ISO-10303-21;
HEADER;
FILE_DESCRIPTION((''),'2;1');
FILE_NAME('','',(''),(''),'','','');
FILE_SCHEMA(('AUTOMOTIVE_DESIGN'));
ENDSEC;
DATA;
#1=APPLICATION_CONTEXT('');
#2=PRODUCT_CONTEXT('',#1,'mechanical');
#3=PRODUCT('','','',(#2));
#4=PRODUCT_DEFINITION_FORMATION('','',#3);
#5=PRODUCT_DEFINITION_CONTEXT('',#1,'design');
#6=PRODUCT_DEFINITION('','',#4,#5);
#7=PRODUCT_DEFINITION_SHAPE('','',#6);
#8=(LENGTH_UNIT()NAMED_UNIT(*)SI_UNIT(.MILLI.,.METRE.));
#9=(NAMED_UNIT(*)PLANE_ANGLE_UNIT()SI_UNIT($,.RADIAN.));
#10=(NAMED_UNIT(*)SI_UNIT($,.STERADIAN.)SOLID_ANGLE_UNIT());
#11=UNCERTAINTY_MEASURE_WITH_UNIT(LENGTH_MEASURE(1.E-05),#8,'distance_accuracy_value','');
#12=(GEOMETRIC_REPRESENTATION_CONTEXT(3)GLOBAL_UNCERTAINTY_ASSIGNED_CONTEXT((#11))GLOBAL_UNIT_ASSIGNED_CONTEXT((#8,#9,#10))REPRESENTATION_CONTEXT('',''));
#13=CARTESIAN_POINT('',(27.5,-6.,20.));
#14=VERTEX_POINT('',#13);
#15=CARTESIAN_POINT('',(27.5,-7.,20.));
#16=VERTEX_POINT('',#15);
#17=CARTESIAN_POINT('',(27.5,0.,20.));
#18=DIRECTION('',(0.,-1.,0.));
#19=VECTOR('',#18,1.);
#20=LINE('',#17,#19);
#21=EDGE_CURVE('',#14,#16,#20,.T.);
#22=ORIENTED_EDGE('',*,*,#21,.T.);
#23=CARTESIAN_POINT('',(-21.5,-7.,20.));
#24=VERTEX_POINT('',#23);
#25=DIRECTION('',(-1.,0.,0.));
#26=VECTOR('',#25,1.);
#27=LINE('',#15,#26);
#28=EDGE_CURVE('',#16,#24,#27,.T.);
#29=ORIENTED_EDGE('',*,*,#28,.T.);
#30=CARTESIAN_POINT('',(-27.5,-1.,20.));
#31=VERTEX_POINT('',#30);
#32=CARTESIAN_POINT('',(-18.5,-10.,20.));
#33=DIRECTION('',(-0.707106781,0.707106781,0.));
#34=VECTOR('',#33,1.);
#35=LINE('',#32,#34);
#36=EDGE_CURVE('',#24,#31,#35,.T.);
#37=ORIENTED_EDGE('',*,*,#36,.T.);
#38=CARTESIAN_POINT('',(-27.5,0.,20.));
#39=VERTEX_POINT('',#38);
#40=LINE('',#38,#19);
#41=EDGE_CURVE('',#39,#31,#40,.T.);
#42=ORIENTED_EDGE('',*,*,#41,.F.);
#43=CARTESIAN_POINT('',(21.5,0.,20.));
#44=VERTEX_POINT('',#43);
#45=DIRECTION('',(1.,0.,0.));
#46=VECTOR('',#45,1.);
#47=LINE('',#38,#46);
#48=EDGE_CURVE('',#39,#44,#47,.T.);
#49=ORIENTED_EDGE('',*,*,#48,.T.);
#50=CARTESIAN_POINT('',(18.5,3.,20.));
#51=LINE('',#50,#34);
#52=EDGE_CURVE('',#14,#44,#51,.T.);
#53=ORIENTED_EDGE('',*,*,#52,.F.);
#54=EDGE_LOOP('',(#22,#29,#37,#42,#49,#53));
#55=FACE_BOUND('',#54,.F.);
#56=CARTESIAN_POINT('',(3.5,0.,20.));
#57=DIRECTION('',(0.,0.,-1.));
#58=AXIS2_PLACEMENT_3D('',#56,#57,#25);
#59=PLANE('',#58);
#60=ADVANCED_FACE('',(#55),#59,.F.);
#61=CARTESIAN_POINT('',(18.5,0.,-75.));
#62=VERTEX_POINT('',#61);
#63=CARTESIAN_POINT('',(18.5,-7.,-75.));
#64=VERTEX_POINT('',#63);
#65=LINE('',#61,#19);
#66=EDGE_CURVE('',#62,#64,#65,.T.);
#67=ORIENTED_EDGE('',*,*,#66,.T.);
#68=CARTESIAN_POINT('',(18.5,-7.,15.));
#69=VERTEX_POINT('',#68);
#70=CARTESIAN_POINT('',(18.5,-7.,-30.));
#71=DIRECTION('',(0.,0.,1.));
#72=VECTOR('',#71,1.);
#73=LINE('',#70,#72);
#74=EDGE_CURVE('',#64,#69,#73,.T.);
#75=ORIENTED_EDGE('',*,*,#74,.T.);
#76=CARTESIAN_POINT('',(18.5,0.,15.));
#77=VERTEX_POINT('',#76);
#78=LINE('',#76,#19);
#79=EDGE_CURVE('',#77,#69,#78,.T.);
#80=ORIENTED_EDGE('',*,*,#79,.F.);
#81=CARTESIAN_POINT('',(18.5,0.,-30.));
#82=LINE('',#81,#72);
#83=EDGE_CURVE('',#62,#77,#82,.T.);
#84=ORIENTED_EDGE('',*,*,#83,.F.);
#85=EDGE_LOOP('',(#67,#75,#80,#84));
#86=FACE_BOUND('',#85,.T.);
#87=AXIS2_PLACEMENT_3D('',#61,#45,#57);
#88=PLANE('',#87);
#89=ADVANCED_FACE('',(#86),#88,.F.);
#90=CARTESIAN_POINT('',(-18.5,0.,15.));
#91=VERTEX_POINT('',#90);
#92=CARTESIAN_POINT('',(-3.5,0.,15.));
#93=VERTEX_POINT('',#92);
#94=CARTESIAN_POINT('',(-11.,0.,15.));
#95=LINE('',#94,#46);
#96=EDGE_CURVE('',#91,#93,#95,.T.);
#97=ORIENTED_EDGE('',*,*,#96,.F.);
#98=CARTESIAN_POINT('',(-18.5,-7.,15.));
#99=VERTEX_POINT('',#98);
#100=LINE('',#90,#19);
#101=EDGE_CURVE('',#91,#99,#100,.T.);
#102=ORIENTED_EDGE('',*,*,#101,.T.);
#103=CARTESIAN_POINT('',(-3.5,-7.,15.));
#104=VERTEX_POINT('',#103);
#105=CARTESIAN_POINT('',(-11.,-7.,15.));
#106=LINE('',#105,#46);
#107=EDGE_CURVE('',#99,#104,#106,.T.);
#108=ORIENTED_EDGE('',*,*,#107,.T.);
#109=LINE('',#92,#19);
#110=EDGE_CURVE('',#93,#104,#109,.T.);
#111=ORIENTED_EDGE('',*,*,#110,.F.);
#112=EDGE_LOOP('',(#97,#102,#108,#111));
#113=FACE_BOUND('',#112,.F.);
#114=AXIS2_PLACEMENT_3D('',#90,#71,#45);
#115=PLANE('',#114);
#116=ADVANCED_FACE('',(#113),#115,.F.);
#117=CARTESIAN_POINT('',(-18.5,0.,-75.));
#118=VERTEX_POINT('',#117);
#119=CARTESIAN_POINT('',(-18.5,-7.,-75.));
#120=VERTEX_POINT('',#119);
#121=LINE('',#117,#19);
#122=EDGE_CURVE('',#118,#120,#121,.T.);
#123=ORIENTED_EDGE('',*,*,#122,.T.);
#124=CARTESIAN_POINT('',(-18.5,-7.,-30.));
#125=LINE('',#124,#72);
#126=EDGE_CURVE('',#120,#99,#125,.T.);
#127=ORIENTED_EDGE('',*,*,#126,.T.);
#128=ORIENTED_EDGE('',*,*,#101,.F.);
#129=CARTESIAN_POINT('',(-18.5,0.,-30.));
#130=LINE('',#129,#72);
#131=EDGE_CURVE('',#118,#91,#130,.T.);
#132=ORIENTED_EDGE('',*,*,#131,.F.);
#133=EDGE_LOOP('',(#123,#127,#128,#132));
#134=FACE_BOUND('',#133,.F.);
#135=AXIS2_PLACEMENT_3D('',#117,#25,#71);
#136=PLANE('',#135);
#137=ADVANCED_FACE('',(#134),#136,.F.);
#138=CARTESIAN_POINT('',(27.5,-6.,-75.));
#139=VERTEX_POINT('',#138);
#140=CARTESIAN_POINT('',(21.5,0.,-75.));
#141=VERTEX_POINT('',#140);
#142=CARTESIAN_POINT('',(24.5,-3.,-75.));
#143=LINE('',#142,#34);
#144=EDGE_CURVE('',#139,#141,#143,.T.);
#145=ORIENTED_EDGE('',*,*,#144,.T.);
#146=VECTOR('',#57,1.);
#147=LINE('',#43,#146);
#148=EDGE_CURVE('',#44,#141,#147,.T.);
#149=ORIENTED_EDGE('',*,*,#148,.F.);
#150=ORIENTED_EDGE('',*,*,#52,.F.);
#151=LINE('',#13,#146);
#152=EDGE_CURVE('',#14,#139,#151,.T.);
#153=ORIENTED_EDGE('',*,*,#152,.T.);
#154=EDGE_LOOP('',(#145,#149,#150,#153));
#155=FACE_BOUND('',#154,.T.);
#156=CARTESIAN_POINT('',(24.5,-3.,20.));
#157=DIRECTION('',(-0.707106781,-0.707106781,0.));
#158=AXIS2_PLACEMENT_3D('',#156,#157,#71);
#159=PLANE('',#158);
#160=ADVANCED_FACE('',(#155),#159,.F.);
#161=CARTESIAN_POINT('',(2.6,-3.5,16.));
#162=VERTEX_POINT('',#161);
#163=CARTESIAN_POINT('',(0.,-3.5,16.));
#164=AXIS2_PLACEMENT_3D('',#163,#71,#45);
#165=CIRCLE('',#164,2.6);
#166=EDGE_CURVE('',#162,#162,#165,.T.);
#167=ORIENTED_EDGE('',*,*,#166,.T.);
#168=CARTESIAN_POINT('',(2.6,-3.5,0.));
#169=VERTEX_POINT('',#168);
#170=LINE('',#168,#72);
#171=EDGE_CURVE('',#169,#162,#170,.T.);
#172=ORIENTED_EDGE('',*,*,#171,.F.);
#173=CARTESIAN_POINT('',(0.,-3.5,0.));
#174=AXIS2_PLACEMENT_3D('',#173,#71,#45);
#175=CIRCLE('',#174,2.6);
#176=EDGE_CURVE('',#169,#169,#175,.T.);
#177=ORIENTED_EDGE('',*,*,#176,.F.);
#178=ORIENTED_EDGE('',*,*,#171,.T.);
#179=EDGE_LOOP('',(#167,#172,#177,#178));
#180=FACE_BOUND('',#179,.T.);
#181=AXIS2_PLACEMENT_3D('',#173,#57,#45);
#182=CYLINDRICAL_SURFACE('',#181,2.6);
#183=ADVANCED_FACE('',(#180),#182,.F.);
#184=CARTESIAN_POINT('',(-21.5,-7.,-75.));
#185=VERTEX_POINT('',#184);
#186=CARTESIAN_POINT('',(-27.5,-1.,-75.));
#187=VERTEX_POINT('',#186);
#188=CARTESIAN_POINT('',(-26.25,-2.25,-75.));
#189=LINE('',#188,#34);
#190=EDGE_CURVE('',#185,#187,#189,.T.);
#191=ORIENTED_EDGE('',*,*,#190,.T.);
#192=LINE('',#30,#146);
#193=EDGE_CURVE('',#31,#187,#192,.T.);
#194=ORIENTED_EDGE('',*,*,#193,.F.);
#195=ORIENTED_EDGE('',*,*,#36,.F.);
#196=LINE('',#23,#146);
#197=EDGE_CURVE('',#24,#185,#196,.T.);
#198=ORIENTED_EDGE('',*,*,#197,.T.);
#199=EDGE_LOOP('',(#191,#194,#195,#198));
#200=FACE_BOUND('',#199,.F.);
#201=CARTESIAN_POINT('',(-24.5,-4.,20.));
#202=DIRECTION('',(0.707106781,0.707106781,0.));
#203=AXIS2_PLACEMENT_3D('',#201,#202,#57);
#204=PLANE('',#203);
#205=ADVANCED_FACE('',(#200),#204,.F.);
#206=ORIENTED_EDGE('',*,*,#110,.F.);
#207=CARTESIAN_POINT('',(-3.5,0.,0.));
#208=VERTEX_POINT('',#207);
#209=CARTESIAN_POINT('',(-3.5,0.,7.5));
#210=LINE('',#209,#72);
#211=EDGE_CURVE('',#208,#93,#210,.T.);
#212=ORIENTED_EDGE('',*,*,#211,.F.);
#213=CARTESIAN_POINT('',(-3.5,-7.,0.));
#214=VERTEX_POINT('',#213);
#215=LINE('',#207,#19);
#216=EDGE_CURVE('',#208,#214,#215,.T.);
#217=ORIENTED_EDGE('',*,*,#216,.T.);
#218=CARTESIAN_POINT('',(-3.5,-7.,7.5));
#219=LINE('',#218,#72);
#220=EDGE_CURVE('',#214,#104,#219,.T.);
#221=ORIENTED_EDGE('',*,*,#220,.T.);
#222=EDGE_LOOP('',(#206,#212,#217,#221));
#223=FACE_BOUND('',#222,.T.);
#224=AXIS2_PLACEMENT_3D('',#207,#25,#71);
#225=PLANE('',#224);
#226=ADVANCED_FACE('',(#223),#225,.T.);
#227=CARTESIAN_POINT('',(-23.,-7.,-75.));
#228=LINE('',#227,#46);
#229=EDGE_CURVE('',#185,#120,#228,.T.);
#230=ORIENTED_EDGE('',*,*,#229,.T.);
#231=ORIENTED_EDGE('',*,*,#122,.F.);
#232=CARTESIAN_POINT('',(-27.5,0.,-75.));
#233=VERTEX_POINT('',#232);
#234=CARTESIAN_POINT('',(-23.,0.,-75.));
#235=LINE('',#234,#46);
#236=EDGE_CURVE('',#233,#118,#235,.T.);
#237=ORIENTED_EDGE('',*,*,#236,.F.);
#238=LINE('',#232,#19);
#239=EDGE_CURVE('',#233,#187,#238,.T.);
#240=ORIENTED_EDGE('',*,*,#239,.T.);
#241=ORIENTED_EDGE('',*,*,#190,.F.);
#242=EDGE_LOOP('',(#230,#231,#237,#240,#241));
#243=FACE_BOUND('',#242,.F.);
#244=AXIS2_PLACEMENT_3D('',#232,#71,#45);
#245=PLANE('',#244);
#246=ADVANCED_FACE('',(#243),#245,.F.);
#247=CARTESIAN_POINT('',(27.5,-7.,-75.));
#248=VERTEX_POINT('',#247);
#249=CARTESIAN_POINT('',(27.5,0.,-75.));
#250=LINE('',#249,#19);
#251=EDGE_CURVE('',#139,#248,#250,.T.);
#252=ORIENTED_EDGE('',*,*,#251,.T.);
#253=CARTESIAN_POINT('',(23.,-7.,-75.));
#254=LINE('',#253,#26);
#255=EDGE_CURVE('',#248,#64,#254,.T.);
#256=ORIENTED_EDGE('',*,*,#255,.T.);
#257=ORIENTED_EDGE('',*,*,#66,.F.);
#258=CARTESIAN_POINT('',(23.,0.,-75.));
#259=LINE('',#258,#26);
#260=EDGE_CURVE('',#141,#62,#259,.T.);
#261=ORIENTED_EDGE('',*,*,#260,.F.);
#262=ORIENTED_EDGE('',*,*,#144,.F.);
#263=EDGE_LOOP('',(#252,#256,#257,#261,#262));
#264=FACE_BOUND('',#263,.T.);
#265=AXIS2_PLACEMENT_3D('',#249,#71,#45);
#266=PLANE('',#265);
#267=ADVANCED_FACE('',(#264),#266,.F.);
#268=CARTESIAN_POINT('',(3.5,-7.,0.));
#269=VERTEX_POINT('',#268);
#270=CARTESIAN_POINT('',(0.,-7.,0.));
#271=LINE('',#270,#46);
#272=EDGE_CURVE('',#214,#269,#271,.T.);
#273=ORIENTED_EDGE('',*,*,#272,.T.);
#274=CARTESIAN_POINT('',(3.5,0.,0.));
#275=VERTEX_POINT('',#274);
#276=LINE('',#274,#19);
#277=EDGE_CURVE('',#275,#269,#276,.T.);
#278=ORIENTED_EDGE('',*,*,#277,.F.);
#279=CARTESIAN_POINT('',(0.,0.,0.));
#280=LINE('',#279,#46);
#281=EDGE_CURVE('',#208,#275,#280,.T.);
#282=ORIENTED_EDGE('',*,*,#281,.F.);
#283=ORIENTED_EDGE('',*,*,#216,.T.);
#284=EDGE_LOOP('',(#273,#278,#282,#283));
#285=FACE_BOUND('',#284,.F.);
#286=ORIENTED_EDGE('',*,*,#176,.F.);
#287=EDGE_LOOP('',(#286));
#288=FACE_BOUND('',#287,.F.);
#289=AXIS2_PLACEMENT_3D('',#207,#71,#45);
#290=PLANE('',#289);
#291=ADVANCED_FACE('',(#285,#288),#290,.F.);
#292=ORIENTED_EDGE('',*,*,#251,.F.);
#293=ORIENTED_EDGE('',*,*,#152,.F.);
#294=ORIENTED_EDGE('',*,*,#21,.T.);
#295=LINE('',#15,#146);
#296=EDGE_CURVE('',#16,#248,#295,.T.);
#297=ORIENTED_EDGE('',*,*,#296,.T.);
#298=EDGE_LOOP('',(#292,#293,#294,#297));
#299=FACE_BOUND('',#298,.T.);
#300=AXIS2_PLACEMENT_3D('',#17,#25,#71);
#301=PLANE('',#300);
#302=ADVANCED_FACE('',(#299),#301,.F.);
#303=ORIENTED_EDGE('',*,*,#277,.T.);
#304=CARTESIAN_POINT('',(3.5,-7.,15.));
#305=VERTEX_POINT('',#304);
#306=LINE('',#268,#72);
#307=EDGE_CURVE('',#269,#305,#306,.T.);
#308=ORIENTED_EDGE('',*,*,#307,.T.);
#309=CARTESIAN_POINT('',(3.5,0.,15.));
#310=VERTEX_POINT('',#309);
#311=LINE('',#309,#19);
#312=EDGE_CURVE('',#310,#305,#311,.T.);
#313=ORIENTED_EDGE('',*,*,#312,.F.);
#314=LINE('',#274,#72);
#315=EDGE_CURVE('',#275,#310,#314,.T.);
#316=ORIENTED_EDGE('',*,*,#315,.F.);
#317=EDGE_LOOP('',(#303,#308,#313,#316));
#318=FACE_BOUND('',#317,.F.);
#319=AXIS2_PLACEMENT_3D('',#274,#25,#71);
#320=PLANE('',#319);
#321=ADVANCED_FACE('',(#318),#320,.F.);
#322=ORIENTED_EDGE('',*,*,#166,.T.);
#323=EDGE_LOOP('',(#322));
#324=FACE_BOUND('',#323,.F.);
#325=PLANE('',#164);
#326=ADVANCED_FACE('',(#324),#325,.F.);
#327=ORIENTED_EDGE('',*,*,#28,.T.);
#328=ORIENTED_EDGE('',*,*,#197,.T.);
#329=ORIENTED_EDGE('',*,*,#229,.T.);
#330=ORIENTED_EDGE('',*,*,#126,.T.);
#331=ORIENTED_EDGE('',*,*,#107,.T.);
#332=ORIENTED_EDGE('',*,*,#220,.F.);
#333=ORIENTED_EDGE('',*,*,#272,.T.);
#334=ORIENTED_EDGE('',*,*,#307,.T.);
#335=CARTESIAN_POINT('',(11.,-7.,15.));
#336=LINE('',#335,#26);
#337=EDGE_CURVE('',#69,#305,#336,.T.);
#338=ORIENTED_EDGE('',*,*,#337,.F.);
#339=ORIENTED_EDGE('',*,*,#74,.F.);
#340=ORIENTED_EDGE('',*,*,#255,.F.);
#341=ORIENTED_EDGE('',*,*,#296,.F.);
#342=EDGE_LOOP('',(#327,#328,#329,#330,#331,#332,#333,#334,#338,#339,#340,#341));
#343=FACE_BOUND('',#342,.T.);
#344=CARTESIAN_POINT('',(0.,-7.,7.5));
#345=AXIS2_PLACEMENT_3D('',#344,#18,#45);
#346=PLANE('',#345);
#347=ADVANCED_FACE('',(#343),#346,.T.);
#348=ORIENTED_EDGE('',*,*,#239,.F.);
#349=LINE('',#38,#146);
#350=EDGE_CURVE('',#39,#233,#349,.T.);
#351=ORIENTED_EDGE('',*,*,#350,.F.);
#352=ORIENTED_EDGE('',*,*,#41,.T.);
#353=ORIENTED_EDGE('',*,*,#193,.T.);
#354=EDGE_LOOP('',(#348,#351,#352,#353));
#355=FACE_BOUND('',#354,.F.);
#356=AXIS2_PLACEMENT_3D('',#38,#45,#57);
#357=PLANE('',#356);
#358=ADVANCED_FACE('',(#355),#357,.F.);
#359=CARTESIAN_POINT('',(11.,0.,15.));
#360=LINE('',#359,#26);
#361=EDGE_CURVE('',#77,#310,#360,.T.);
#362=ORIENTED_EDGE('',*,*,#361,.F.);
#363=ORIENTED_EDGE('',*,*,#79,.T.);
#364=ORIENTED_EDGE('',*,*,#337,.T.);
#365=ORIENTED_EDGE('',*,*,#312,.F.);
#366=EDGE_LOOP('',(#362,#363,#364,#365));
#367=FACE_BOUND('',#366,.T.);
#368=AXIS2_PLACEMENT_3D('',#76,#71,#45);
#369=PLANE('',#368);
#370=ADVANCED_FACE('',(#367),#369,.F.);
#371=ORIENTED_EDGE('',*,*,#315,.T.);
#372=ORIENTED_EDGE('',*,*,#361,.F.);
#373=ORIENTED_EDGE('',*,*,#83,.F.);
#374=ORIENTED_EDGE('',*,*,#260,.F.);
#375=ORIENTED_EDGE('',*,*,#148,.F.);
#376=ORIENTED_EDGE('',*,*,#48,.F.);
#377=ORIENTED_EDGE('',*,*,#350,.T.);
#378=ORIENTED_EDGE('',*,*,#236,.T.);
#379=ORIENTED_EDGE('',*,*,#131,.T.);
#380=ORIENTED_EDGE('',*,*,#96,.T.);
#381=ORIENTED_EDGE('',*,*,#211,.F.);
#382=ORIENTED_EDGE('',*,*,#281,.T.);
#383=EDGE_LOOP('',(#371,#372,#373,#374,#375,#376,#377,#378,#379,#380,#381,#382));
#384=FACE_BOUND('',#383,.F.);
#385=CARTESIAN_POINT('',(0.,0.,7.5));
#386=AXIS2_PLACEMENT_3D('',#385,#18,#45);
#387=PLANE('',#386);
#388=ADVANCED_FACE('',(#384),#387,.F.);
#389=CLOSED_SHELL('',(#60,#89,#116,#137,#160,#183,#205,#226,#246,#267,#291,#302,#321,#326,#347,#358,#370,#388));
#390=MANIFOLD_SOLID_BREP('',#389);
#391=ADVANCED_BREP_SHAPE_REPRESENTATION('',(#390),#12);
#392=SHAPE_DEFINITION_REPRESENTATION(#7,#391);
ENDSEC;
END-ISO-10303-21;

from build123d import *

# Parameters (mm, degrees)
F0_W     = 7
F0_H     = 15
F0_W_2   = 15
F0_H_2   = 5
F0_W_3   = 9
F0_H_3   = 90
F1_DEPTH = 7
F3_R     = 2.6
F4_DEPTH = 16
F5_SIZE  = 6
F6_SIZE  = 6


with BuildPart() as f1:
    # F0 (on Front) → F1 (new body)
    with BuildSketch(Plane.XZ):
        with Locations((0, 7.5)):
            Rectangle(F0_W, F0_H)
        with Locations((-11, 17.5)):
            Rectangle(F0_W_2, F0_H_2)
        with Locations((0, 17.5)):
            Rectangle(F0_W, F0_H_2)
        with Locations((-23, -30)):
            Rectangle(F0_W_3, F0_H_3)
        with Locations((-23, 17.5)):
            Rectangle(F0_W_3, F0_H_2)
    extrude(amount=F1_DEPTH)

    # F2: F1 across plane


with BuildPart() as f1_1:
    add(f1.part)
    add(f1.part.mirror(Plane.YZ))

    # F3 (on Top) → F4 (cut)
    with BuildSketch(Plane.XY):
        with Locations((0, -3.5)):
            Circle(F3_R)
    extrude(amount=F4_DEPTH, mode=Mode.SUBTRACT)

    # F5
    f5_edges = [f1_1.edges().sort_by_distance(p)[0] for p in [
        (-27.5, -7, -27.5),
    ]]
    chamfer(f5_edges, length=F5_SIZE)

    # F6
    f6_edges = [f1_1.edges().sort_by_distance(p)[0] for p in [
        (27.5, 0, -27.5),
    ]]
    chamfer(f6_edges, length=F6_SIZE)


solid = f1_1.part
